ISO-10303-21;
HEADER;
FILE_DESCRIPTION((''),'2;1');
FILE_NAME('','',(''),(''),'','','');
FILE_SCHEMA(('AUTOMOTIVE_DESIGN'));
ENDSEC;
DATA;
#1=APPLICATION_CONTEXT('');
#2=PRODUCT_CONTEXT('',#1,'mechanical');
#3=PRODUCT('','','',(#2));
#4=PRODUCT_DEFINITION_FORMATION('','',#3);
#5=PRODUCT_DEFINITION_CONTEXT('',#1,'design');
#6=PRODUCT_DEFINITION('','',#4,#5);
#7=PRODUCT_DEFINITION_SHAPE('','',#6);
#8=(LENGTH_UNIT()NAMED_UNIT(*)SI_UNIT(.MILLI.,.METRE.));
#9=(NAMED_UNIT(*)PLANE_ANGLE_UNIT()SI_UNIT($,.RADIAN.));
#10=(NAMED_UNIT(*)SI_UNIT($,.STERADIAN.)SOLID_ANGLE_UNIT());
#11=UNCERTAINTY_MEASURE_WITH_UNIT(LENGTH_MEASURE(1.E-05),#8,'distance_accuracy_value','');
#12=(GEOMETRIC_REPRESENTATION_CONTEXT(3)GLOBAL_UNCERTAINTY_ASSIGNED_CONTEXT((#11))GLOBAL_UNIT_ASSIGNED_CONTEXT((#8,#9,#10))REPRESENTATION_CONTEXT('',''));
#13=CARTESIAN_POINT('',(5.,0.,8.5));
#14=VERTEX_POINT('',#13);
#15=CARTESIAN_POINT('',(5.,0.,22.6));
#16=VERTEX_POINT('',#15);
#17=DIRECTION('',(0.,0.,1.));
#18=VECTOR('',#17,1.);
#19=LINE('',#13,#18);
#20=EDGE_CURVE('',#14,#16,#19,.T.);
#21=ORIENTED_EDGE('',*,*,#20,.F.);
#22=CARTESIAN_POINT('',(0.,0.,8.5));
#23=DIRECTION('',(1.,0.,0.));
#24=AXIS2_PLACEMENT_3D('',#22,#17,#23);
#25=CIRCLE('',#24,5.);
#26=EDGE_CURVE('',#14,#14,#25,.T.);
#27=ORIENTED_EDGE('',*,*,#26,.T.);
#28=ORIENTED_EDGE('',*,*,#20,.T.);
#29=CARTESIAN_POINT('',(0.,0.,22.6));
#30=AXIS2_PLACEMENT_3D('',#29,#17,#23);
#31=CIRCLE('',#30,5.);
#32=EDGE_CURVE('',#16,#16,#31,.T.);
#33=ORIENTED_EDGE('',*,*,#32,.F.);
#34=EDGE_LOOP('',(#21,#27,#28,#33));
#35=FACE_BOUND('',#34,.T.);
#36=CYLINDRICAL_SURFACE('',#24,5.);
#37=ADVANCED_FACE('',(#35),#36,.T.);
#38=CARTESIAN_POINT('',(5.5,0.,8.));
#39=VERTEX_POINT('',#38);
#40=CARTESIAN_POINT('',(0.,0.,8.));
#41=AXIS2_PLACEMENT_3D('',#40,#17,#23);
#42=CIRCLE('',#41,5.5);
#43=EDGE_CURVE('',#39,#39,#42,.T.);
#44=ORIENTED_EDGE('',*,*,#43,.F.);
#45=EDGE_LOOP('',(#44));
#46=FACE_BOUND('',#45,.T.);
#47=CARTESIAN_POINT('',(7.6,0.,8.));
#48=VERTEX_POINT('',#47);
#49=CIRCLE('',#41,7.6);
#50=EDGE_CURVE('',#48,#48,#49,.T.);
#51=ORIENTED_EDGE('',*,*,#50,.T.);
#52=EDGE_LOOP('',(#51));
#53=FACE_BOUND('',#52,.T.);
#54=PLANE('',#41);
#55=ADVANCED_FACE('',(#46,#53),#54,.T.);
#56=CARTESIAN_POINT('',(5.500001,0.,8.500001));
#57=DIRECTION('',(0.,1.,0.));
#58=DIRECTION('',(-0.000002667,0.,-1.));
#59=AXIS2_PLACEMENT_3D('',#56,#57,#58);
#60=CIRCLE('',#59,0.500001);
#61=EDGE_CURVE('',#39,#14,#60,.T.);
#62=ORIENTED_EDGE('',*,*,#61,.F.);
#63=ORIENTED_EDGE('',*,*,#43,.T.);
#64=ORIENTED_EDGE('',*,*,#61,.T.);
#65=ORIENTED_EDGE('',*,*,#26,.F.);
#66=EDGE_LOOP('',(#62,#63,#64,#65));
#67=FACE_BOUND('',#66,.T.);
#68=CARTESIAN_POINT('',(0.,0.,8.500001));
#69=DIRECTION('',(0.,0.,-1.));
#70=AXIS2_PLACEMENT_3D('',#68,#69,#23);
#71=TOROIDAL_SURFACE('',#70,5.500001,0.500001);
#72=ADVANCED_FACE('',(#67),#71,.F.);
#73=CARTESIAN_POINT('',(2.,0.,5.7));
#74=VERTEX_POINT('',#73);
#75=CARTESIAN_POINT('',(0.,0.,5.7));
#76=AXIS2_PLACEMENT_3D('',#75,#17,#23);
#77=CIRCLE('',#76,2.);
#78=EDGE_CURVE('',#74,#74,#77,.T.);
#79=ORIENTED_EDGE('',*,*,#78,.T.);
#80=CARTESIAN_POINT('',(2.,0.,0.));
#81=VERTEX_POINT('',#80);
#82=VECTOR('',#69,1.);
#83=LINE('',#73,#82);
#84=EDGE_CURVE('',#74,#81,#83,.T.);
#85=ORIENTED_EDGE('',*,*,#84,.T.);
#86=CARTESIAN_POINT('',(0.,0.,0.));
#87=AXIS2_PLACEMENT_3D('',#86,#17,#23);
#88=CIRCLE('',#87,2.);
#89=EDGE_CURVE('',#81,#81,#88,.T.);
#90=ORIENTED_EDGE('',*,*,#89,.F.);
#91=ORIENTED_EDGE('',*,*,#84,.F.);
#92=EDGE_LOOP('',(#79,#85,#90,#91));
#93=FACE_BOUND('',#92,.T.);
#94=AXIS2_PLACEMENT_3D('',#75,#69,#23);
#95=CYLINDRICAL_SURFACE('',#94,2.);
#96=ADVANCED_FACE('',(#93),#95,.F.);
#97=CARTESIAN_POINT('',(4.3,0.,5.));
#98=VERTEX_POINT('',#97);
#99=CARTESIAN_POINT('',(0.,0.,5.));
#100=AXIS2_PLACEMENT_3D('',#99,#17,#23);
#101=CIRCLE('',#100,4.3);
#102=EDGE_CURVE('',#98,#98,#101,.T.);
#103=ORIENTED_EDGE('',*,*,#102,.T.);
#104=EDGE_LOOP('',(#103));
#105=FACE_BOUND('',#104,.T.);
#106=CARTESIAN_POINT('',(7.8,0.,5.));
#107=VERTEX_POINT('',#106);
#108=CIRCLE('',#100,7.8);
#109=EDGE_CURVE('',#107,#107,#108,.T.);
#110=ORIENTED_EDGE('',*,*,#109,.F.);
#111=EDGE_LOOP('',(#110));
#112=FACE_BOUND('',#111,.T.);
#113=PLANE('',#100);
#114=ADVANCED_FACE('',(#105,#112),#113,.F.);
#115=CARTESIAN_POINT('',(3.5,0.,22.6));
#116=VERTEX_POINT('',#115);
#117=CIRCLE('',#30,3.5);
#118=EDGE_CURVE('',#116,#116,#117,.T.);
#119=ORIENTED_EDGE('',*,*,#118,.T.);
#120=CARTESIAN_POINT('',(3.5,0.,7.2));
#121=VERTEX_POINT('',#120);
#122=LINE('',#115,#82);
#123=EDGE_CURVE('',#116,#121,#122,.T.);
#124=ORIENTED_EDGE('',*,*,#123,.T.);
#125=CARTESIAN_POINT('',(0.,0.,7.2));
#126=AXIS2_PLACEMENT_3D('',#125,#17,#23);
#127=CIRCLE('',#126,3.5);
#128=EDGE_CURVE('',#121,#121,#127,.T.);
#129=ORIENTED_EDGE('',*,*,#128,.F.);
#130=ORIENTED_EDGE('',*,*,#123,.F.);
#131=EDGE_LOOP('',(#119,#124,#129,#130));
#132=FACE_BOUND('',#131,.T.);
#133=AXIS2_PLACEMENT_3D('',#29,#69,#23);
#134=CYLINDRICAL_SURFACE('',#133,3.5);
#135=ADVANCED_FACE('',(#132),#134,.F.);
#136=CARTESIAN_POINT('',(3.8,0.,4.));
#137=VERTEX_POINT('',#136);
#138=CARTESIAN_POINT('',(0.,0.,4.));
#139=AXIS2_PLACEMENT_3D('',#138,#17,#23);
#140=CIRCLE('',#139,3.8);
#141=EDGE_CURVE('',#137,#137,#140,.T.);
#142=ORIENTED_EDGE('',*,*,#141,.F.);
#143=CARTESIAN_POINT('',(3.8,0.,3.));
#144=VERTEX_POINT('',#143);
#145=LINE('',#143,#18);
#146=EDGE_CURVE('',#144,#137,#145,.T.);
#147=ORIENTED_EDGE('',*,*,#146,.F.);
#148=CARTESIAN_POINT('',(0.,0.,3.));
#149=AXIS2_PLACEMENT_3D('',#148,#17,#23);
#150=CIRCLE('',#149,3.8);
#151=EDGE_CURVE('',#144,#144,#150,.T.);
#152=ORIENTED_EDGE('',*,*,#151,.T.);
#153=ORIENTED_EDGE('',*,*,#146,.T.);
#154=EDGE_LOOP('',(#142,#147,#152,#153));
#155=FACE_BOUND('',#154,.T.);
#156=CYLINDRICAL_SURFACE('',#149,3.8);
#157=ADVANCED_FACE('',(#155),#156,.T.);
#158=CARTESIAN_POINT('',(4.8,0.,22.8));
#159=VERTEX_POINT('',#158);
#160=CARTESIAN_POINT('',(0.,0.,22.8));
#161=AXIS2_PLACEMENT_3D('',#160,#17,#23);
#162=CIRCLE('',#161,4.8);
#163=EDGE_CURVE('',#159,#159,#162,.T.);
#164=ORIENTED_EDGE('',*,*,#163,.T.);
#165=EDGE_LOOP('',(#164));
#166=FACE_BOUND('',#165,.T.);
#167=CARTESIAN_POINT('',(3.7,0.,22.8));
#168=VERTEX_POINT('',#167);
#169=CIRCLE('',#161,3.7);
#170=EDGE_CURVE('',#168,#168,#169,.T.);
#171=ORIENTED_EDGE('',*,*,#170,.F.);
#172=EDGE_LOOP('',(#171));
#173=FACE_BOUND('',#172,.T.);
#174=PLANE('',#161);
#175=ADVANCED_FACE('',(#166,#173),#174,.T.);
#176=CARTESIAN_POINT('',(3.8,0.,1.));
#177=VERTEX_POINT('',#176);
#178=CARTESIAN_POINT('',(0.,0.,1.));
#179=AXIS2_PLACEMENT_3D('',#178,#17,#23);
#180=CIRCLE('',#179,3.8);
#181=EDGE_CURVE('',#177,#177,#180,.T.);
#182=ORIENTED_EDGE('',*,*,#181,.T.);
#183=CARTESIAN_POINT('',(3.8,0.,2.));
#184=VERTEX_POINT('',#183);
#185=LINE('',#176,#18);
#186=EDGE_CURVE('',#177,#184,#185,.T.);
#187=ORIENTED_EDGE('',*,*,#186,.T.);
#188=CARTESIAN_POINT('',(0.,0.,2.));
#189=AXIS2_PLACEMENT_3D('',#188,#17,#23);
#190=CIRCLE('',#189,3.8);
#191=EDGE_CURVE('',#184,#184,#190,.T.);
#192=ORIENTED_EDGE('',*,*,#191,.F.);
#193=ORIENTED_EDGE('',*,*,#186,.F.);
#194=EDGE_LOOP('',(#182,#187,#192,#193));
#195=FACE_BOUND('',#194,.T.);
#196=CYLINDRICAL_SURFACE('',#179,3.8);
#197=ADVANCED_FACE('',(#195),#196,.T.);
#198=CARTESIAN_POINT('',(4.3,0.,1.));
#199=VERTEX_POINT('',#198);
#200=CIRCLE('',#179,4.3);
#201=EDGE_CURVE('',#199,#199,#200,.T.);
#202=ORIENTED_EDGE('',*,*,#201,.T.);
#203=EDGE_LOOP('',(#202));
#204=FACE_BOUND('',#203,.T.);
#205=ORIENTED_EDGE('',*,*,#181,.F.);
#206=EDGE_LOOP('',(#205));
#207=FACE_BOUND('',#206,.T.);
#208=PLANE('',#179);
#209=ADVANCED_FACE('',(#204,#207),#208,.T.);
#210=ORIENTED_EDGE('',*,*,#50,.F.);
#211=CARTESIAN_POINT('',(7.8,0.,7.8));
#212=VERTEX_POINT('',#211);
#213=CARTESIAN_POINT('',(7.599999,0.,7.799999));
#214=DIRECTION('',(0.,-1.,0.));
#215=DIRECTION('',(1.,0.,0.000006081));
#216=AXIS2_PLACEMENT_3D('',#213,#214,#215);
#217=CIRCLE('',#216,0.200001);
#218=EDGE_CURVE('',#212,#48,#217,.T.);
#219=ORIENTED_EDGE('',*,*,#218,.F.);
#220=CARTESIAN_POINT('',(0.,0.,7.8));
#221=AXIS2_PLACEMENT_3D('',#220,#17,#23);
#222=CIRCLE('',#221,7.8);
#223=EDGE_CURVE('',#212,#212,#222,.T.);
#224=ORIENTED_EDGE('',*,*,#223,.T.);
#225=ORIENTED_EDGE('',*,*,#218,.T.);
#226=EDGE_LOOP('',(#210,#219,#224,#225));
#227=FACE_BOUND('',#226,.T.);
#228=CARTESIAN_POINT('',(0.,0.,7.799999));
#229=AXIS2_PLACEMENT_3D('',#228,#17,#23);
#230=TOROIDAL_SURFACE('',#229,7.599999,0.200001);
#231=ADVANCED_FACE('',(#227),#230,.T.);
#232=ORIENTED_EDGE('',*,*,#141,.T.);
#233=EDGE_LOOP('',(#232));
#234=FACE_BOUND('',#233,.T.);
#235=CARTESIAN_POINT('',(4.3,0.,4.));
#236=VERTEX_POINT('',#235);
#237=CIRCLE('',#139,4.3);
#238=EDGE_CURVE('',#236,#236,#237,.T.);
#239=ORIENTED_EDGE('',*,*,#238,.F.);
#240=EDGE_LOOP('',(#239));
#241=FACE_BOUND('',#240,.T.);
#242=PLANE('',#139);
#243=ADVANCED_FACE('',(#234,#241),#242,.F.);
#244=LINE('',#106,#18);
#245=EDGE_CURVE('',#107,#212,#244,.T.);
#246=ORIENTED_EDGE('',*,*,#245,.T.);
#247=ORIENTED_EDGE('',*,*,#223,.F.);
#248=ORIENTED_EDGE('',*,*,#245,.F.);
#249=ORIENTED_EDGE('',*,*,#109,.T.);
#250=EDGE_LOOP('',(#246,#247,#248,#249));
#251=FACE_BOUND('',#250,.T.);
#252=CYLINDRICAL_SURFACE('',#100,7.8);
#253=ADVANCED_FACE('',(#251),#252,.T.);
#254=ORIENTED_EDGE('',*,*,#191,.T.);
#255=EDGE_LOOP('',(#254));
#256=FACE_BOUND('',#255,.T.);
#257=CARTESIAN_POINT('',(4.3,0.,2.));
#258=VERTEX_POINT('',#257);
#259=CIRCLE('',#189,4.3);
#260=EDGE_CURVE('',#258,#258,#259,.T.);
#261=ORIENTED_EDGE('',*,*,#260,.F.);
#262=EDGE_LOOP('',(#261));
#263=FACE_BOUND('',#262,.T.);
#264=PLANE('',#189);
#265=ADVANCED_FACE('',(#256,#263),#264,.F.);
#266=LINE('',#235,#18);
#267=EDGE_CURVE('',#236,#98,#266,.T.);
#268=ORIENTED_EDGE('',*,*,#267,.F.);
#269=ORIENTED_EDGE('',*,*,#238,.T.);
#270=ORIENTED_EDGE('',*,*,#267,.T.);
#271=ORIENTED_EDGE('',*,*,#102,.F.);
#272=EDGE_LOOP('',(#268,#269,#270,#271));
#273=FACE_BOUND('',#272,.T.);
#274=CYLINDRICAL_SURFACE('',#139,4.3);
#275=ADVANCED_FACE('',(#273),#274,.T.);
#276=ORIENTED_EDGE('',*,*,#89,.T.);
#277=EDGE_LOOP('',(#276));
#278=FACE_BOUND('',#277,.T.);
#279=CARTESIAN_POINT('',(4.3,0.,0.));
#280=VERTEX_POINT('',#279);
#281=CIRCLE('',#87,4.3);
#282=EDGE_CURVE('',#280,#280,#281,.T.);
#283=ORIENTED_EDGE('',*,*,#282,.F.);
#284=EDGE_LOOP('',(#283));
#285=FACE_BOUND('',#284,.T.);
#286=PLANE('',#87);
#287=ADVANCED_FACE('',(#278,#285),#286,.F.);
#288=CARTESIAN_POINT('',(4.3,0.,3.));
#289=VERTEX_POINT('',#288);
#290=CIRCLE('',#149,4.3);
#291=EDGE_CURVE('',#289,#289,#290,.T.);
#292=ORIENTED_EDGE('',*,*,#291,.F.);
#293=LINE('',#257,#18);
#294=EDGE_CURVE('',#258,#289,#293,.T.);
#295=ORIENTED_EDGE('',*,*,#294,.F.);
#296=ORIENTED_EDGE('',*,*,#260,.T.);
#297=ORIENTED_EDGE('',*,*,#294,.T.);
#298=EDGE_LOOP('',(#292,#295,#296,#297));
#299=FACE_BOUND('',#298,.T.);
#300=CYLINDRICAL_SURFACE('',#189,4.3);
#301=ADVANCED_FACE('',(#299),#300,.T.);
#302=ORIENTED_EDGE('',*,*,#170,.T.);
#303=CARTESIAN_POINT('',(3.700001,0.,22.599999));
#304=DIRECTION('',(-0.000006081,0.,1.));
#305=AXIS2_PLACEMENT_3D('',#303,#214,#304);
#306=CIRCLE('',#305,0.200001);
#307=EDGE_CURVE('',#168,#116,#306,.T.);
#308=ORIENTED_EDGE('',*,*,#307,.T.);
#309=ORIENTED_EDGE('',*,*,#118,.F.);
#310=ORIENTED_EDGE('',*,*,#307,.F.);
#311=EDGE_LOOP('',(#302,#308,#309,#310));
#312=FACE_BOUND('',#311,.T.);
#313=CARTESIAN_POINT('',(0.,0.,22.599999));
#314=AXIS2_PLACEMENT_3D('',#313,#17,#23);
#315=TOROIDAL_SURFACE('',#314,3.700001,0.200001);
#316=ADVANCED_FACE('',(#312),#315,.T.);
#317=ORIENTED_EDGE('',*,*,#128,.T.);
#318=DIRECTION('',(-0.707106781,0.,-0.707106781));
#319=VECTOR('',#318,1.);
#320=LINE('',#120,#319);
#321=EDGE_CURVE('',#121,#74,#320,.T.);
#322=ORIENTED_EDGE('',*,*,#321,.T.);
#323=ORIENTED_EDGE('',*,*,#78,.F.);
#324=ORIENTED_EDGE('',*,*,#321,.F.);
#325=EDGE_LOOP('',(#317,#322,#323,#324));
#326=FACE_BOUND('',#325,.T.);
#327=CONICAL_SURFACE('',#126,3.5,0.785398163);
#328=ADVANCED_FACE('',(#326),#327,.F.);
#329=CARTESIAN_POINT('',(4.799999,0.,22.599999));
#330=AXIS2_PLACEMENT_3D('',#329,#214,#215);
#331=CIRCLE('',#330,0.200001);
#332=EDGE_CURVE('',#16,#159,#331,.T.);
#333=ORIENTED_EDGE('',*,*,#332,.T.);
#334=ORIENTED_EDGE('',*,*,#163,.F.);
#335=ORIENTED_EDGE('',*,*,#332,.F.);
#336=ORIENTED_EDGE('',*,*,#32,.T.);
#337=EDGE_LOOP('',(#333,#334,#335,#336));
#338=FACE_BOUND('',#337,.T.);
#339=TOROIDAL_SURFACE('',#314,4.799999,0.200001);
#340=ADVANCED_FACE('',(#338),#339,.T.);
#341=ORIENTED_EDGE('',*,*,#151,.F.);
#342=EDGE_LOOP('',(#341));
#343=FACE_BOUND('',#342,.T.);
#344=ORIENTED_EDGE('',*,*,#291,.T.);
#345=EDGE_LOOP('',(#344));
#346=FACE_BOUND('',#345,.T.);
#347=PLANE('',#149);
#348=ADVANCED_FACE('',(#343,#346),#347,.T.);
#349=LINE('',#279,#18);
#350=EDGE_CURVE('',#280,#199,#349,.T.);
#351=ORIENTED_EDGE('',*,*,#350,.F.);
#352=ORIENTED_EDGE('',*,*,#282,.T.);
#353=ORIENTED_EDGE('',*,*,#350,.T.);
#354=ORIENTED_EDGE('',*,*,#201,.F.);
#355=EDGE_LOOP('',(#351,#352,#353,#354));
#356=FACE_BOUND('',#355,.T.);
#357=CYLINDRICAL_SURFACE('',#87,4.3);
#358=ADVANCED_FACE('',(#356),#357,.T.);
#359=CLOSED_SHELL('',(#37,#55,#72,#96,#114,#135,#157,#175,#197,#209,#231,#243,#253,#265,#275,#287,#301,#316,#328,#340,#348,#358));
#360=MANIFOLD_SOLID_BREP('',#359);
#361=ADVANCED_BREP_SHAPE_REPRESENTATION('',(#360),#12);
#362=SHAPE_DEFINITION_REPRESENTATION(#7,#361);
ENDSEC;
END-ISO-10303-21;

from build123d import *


with BuildPart() as f1:
    # F0 (on Front) → F1 (revolve)
    with BuildSketch(Plane.XZ):
        with BuildLine():
            Line((4.8, 22.8), (3.7, 22.8))
            ThreePointArc((3.7, 22.8), (3.558579, 22.741421), (3.5, 22.6))
            Line((3.5, 22.6), (3.5, 7.2))
            Line((3.5, 7.2), (2, 5.7))
            Line((2, 5.7), (2, 0))
            Line((2, 0), (4.3, 0))
            Line((4.3, 0), (4.3, 1))
            Line((4.3, 1), (3.8, 1))
            Line((3.8, 1), (3.8, 2))
            Line((3.8, 2), (4.3, 2))
            Line((4.3, 2), (4.3, 3))
            Line((4.3, 3), (3.8, 3))
            Line((3.8, 3), (3.8, 4))
            Line((3.8, 4), (4.3, 4))
            Line((4.3, 4), (4.3, 5))
            Line((4.3, 5), (7.8, 5))
            Line((7.8, 5), (7.8, 7.8))
            ThreePointArc((7.8, 7.8), (7.741421, 7.941421), (7.6, 8))
            Line((7.6, 8), (5.5, 8))
            ThreePointArc((5.5, 8), (5.146447, 8.146447), (5, 8.5))
            Line((5, 8.5), (5, 22.6))
            ThreePointArc((5, 22.6), (4.941421, 22.741421), (4.8, 22.8))
        make_face()
    revolve(axis=Axis((0, 0, 11.4), (0, 0, 1)))


solid = f1.part
